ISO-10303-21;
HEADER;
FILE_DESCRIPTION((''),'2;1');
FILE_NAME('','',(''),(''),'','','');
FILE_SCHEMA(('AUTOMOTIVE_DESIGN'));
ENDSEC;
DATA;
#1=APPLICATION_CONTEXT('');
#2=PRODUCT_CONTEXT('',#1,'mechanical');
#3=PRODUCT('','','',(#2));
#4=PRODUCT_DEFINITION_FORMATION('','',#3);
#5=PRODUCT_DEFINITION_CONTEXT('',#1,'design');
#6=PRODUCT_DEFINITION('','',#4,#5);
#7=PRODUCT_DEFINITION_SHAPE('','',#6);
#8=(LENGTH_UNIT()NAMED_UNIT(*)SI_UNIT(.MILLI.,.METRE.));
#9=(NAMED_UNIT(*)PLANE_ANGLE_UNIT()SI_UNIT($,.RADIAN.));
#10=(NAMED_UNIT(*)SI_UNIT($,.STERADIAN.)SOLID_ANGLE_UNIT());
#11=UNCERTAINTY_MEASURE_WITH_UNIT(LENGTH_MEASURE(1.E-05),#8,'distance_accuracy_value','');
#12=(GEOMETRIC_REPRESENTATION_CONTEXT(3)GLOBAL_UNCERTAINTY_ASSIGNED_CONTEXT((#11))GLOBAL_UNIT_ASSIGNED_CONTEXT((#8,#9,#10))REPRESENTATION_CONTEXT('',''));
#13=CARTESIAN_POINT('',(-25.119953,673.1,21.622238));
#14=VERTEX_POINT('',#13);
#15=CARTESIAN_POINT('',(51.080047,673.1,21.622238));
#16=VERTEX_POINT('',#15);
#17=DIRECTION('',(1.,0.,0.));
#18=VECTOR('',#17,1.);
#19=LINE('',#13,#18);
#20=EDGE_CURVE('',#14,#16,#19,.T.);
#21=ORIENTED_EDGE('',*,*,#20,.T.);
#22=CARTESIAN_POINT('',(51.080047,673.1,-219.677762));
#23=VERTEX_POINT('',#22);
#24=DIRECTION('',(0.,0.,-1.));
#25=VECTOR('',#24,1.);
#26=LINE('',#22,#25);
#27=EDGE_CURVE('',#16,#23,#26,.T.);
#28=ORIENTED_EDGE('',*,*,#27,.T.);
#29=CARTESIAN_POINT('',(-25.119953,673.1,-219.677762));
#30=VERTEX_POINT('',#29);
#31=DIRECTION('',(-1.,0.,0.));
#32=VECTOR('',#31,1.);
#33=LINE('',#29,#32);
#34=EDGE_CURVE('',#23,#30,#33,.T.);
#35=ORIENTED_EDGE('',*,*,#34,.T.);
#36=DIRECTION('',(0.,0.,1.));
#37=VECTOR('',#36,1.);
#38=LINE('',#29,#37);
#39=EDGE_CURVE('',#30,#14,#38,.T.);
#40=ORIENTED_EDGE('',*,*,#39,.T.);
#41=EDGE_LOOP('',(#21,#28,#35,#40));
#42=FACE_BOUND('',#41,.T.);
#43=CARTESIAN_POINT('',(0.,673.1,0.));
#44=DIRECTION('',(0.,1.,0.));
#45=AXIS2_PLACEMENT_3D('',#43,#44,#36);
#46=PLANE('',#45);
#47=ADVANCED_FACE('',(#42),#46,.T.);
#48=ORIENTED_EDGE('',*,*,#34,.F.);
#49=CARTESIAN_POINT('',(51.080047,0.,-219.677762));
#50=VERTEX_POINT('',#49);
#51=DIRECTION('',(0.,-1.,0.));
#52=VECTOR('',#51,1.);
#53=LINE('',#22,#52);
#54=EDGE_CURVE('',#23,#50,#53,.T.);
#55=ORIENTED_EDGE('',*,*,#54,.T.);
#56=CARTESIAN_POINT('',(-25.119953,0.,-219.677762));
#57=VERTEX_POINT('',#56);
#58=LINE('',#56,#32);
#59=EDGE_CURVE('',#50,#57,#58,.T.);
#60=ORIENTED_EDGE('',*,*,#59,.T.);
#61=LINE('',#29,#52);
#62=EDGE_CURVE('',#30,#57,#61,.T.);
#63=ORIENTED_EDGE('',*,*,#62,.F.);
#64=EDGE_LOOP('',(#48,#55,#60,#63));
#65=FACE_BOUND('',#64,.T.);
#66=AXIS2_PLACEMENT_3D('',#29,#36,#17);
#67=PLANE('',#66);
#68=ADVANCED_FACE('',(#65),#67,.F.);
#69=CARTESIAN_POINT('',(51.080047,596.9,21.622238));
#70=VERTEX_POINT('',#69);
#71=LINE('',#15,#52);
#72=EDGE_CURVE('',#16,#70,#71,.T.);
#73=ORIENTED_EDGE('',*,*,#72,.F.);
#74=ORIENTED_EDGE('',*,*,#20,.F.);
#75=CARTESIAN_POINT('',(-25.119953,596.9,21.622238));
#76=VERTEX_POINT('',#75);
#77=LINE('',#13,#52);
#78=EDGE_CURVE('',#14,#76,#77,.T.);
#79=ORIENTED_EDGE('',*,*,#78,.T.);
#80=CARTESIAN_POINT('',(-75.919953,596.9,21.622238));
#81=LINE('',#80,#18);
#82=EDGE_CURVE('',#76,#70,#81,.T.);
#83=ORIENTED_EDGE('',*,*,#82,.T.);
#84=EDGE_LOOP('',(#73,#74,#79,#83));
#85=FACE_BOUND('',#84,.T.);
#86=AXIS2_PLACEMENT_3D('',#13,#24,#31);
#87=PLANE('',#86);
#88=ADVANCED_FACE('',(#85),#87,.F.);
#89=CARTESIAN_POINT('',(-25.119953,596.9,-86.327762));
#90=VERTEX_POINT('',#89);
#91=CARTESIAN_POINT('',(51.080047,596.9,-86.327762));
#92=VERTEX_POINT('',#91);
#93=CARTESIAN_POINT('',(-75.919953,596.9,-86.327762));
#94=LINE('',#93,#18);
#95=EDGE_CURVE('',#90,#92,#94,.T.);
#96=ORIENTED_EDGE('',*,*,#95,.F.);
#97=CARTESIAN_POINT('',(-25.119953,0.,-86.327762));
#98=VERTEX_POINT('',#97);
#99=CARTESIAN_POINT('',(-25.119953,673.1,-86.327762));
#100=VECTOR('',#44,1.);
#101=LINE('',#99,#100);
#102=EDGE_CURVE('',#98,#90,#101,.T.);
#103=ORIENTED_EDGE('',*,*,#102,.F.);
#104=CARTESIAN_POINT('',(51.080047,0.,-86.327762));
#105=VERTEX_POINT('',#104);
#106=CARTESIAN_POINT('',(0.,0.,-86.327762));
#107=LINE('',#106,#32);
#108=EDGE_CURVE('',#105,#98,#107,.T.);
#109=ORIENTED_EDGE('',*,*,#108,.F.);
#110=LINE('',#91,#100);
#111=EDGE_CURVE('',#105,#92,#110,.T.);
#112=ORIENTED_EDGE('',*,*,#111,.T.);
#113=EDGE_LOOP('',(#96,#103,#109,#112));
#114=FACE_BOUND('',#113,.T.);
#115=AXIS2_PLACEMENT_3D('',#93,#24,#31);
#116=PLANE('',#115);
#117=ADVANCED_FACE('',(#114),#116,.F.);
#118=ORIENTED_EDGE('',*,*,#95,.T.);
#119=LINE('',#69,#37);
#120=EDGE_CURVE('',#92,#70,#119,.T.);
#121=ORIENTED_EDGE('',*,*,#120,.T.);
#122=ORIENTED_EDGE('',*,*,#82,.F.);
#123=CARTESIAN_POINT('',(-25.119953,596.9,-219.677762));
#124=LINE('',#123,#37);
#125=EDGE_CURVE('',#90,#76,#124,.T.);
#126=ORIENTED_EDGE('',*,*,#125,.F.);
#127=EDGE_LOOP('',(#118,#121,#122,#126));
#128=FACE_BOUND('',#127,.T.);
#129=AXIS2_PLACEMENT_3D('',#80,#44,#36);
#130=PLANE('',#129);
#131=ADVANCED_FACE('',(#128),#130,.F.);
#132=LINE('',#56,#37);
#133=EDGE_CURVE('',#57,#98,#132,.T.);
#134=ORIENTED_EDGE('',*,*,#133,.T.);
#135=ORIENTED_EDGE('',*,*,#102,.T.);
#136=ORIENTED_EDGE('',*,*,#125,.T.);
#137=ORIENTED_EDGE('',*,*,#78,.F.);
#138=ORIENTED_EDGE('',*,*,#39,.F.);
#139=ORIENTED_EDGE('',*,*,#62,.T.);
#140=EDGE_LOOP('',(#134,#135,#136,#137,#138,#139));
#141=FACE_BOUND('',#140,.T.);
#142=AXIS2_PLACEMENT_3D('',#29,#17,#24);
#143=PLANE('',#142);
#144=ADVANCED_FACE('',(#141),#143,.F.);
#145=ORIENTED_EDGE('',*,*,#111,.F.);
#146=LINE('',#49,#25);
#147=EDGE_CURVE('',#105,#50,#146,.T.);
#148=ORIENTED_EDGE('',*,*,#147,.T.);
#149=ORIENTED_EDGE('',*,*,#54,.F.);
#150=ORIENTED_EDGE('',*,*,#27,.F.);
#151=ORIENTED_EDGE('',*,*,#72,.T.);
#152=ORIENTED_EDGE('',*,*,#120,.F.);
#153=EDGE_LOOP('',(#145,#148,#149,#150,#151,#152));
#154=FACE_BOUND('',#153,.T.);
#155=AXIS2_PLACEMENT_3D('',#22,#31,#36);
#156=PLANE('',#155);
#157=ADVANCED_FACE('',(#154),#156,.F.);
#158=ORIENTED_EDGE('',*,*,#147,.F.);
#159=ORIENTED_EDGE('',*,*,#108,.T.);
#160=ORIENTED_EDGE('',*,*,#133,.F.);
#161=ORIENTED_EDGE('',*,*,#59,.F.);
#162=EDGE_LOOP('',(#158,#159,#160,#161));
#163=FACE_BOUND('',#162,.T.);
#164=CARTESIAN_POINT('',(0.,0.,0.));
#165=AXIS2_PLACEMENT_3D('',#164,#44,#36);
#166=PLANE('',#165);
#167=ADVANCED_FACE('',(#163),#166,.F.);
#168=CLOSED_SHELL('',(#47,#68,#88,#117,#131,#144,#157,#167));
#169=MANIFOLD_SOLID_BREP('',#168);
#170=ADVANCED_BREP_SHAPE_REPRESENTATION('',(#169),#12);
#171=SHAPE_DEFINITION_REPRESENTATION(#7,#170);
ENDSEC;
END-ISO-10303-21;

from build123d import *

# Parameters (mm, degrees)
SKETCH1_W           = 76.2
SKETCH1_H           = 241.3
BOSS_EXTRUDE2_DEPTH = 673.1
SKETCH3_W           = 107.95
SKETCH3_H           = 596.9
CUT_EXTRUDE1_DEPTH  = 127


with BuildPart() as part:
    # Sketch1 → Boss-Extrude2 (new body)
    with BuildSketch(Plane(origin=(0, 0, 0), x_dir=(1, 0, 0), z_dir=(0, 1, 0))):
        with Locations((12.980047176, 99.027762126)):
            Rectangle(SKETCH1_W, SKETCH1_H)
    extrude(amount=BOSS_EXTRUDE2_DEPTH)

    # Sketch3 → Cut-Extrude1 (cut)
    with BuildSketch(Plane(origin=(51.080047176, 0, 0), x_dir=(0, 0, -1), z_dir=(1, 0, 0))):
        with Locations((32.352762126, 298.45)):
            Rectangle(SKETCH3_W, SKETCH3_H)
    extrude(amount=-CUT_EXTRUDE1_DEPTH, mode=Mode.SUBTRACT)


solid = part.part
